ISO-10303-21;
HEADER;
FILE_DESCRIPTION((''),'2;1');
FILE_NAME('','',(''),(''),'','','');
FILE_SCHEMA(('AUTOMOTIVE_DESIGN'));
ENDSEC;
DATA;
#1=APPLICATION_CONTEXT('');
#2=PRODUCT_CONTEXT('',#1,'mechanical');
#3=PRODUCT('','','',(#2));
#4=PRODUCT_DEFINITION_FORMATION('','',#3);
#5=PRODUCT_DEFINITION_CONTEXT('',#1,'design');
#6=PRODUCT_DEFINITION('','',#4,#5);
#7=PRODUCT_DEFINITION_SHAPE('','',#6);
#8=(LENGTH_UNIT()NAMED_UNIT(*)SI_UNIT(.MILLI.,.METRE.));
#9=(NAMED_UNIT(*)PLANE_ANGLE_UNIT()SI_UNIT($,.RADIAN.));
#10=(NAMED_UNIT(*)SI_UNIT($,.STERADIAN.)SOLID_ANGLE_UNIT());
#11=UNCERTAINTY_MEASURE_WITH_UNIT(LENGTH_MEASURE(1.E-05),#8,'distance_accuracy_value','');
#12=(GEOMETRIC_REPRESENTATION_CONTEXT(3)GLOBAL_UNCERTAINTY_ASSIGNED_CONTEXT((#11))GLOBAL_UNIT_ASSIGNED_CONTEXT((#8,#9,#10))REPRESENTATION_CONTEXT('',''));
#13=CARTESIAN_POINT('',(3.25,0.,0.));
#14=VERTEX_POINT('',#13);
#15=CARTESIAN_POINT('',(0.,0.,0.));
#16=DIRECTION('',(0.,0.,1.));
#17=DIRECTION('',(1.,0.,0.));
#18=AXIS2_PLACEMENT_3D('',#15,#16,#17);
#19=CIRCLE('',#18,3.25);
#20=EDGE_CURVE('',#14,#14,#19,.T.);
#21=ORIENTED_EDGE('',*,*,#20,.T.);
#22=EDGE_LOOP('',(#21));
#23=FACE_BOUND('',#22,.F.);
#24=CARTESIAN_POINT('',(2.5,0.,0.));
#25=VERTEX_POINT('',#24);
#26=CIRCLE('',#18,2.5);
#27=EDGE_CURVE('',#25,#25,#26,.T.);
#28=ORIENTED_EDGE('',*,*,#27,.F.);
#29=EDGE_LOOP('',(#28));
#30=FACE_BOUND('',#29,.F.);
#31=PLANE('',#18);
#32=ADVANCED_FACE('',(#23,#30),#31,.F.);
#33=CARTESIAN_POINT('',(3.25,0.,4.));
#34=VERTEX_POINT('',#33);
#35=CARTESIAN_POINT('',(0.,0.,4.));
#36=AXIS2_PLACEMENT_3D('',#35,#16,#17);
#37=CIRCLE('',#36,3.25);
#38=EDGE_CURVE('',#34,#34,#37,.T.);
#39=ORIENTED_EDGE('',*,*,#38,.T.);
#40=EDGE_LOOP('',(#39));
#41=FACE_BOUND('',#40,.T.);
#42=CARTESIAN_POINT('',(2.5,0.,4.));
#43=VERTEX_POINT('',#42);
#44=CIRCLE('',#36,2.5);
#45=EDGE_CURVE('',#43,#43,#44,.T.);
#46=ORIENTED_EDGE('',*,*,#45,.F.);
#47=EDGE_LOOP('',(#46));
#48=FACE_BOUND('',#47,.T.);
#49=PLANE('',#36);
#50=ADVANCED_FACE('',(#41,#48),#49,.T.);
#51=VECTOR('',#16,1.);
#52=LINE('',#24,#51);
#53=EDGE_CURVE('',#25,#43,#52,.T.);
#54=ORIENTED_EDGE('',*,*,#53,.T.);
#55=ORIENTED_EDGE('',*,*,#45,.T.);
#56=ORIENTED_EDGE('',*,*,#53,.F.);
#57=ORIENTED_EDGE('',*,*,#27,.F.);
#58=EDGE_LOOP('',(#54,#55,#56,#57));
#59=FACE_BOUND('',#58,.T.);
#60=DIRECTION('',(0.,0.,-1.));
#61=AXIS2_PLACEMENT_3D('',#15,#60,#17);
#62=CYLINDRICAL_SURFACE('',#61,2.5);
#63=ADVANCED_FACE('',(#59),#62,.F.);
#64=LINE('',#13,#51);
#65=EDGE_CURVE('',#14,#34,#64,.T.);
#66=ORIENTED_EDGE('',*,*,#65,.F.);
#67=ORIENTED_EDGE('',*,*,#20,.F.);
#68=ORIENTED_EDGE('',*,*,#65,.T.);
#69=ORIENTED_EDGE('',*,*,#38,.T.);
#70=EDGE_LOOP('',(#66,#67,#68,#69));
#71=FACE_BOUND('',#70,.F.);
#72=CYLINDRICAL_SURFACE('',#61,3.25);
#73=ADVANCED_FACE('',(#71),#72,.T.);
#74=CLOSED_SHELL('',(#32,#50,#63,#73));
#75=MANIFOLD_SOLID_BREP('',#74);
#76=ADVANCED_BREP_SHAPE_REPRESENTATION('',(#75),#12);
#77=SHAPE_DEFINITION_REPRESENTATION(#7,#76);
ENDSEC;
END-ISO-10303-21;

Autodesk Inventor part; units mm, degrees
ref_plane "YZ Plane" through (0, 0, 0) normal (1, 0, 0) x (0, 1, 0)
ref_plane "XZ Plane" through (0, 0, 0) normal (0, 1, 0) x (-1, 0, 0)
ref_plane "XY Plane" through (0, 0, 0) normal (0, 0, 1) x (1, 0, 0)
sketch "스케치1" plane through (0, 0, 0) normal (0, 0, 1) x (1, 0, 0)
  circle A0 centre (0, 0) radius 2.5
  circle A1 centre (0, 0) radius 3.25
  dimension "d0" = 5
  dimension "d1" = 6.5
extrude "돌출1" add sketch "스케치1" along normal blind 4
properties part number "감속기어1 - 4파이 4mm와셔"
